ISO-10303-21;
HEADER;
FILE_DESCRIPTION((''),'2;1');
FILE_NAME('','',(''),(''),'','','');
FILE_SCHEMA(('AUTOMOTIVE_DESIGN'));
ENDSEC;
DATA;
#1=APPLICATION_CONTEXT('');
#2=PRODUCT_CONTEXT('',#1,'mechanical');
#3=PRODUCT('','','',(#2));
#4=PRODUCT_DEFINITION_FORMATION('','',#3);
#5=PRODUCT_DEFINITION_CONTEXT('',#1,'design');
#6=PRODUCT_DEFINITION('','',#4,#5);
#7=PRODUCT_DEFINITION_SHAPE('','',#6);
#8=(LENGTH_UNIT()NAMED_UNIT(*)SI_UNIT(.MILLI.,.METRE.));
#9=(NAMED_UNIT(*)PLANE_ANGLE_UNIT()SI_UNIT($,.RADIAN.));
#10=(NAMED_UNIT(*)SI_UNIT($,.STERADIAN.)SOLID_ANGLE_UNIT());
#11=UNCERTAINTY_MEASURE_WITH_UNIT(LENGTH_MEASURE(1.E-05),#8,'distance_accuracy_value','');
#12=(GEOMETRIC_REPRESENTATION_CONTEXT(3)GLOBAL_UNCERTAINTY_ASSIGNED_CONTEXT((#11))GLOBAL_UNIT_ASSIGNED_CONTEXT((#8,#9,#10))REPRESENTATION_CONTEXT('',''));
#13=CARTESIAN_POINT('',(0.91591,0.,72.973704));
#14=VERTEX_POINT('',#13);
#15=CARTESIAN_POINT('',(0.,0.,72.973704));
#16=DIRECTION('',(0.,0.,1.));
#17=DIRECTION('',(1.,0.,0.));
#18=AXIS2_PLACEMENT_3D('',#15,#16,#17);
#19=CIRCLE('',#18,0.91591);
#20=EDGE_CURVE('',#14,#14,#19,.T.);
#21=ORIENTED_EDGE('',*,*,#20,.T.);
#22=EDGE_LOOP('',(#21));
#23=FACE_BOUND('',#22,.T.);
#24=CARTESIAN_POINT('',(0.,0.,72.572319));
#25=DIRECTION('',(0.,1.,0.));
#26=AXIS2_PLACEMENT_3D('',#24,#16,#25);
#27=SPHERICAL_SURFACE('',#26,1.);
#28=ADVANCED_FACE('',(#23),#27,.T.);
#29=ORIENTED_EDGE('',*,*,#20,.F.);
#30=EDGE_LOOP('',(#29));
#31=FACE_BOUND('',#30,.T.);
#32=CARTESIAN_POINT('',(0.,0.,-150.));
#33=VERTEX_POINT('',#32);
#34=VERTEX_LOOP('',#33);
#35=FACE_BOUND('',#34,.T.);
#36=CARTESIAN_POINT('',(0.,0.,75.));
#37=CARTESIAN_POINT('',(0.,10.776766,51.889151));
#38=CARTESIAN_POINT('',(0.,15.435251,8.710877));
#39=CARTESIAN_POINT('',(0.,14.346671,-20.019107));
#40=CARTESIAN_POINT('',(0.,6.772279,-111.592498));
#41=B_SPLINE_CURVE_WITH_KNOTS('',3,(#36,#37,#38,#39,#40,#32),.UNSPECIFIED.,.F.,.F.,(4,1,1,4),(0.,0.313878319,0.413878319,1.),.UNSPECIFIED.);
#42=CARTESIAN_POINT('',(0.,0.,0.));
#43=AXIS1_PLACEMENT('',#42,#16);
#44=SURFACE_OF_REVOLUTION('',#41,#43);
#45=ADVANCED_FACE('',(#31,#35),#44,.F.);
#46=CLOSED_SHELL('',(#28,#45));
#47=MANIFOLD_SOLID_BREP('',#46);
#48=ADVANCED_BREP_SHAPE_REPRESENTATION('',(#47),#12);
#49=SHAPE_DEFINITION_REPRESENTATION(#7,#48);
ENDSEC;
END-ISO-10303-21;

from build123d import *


with BuildPart() as part:
    # Sketch1 → Revolve1 (revolve)
    with BuildSketch(Plane(origin=(0, 0, 0), x_dir=(0, 0, -1), z_dir=(1, 0, 0))):
        with BuildLine():
            ThreePointArc((-72.973703772, 0.91590963), (-73.409392866, 0.547090239), (-73.57231923, 0))
            Line((-73.57231923, 0), (150, 0))
            add(Edge.make_bspline(
                [(-72.973703772, 0.91590963), (-50.012288552, 10.978427624), (-8.450378222, 15.425380275), (20.01910705, 14.34667125), (111.592497633, 6.772278929), (150, 0)],
                knots=[0.009067151, 0.009067151, 0.009067151, 0.009067151, 0.313878319, 0.413878319, 1, 1, 1, 1], degree=3))
        make_face()
    revolve(axis=Axis((0, 0, 0), (0, 0, -1)))


solid = part.part
